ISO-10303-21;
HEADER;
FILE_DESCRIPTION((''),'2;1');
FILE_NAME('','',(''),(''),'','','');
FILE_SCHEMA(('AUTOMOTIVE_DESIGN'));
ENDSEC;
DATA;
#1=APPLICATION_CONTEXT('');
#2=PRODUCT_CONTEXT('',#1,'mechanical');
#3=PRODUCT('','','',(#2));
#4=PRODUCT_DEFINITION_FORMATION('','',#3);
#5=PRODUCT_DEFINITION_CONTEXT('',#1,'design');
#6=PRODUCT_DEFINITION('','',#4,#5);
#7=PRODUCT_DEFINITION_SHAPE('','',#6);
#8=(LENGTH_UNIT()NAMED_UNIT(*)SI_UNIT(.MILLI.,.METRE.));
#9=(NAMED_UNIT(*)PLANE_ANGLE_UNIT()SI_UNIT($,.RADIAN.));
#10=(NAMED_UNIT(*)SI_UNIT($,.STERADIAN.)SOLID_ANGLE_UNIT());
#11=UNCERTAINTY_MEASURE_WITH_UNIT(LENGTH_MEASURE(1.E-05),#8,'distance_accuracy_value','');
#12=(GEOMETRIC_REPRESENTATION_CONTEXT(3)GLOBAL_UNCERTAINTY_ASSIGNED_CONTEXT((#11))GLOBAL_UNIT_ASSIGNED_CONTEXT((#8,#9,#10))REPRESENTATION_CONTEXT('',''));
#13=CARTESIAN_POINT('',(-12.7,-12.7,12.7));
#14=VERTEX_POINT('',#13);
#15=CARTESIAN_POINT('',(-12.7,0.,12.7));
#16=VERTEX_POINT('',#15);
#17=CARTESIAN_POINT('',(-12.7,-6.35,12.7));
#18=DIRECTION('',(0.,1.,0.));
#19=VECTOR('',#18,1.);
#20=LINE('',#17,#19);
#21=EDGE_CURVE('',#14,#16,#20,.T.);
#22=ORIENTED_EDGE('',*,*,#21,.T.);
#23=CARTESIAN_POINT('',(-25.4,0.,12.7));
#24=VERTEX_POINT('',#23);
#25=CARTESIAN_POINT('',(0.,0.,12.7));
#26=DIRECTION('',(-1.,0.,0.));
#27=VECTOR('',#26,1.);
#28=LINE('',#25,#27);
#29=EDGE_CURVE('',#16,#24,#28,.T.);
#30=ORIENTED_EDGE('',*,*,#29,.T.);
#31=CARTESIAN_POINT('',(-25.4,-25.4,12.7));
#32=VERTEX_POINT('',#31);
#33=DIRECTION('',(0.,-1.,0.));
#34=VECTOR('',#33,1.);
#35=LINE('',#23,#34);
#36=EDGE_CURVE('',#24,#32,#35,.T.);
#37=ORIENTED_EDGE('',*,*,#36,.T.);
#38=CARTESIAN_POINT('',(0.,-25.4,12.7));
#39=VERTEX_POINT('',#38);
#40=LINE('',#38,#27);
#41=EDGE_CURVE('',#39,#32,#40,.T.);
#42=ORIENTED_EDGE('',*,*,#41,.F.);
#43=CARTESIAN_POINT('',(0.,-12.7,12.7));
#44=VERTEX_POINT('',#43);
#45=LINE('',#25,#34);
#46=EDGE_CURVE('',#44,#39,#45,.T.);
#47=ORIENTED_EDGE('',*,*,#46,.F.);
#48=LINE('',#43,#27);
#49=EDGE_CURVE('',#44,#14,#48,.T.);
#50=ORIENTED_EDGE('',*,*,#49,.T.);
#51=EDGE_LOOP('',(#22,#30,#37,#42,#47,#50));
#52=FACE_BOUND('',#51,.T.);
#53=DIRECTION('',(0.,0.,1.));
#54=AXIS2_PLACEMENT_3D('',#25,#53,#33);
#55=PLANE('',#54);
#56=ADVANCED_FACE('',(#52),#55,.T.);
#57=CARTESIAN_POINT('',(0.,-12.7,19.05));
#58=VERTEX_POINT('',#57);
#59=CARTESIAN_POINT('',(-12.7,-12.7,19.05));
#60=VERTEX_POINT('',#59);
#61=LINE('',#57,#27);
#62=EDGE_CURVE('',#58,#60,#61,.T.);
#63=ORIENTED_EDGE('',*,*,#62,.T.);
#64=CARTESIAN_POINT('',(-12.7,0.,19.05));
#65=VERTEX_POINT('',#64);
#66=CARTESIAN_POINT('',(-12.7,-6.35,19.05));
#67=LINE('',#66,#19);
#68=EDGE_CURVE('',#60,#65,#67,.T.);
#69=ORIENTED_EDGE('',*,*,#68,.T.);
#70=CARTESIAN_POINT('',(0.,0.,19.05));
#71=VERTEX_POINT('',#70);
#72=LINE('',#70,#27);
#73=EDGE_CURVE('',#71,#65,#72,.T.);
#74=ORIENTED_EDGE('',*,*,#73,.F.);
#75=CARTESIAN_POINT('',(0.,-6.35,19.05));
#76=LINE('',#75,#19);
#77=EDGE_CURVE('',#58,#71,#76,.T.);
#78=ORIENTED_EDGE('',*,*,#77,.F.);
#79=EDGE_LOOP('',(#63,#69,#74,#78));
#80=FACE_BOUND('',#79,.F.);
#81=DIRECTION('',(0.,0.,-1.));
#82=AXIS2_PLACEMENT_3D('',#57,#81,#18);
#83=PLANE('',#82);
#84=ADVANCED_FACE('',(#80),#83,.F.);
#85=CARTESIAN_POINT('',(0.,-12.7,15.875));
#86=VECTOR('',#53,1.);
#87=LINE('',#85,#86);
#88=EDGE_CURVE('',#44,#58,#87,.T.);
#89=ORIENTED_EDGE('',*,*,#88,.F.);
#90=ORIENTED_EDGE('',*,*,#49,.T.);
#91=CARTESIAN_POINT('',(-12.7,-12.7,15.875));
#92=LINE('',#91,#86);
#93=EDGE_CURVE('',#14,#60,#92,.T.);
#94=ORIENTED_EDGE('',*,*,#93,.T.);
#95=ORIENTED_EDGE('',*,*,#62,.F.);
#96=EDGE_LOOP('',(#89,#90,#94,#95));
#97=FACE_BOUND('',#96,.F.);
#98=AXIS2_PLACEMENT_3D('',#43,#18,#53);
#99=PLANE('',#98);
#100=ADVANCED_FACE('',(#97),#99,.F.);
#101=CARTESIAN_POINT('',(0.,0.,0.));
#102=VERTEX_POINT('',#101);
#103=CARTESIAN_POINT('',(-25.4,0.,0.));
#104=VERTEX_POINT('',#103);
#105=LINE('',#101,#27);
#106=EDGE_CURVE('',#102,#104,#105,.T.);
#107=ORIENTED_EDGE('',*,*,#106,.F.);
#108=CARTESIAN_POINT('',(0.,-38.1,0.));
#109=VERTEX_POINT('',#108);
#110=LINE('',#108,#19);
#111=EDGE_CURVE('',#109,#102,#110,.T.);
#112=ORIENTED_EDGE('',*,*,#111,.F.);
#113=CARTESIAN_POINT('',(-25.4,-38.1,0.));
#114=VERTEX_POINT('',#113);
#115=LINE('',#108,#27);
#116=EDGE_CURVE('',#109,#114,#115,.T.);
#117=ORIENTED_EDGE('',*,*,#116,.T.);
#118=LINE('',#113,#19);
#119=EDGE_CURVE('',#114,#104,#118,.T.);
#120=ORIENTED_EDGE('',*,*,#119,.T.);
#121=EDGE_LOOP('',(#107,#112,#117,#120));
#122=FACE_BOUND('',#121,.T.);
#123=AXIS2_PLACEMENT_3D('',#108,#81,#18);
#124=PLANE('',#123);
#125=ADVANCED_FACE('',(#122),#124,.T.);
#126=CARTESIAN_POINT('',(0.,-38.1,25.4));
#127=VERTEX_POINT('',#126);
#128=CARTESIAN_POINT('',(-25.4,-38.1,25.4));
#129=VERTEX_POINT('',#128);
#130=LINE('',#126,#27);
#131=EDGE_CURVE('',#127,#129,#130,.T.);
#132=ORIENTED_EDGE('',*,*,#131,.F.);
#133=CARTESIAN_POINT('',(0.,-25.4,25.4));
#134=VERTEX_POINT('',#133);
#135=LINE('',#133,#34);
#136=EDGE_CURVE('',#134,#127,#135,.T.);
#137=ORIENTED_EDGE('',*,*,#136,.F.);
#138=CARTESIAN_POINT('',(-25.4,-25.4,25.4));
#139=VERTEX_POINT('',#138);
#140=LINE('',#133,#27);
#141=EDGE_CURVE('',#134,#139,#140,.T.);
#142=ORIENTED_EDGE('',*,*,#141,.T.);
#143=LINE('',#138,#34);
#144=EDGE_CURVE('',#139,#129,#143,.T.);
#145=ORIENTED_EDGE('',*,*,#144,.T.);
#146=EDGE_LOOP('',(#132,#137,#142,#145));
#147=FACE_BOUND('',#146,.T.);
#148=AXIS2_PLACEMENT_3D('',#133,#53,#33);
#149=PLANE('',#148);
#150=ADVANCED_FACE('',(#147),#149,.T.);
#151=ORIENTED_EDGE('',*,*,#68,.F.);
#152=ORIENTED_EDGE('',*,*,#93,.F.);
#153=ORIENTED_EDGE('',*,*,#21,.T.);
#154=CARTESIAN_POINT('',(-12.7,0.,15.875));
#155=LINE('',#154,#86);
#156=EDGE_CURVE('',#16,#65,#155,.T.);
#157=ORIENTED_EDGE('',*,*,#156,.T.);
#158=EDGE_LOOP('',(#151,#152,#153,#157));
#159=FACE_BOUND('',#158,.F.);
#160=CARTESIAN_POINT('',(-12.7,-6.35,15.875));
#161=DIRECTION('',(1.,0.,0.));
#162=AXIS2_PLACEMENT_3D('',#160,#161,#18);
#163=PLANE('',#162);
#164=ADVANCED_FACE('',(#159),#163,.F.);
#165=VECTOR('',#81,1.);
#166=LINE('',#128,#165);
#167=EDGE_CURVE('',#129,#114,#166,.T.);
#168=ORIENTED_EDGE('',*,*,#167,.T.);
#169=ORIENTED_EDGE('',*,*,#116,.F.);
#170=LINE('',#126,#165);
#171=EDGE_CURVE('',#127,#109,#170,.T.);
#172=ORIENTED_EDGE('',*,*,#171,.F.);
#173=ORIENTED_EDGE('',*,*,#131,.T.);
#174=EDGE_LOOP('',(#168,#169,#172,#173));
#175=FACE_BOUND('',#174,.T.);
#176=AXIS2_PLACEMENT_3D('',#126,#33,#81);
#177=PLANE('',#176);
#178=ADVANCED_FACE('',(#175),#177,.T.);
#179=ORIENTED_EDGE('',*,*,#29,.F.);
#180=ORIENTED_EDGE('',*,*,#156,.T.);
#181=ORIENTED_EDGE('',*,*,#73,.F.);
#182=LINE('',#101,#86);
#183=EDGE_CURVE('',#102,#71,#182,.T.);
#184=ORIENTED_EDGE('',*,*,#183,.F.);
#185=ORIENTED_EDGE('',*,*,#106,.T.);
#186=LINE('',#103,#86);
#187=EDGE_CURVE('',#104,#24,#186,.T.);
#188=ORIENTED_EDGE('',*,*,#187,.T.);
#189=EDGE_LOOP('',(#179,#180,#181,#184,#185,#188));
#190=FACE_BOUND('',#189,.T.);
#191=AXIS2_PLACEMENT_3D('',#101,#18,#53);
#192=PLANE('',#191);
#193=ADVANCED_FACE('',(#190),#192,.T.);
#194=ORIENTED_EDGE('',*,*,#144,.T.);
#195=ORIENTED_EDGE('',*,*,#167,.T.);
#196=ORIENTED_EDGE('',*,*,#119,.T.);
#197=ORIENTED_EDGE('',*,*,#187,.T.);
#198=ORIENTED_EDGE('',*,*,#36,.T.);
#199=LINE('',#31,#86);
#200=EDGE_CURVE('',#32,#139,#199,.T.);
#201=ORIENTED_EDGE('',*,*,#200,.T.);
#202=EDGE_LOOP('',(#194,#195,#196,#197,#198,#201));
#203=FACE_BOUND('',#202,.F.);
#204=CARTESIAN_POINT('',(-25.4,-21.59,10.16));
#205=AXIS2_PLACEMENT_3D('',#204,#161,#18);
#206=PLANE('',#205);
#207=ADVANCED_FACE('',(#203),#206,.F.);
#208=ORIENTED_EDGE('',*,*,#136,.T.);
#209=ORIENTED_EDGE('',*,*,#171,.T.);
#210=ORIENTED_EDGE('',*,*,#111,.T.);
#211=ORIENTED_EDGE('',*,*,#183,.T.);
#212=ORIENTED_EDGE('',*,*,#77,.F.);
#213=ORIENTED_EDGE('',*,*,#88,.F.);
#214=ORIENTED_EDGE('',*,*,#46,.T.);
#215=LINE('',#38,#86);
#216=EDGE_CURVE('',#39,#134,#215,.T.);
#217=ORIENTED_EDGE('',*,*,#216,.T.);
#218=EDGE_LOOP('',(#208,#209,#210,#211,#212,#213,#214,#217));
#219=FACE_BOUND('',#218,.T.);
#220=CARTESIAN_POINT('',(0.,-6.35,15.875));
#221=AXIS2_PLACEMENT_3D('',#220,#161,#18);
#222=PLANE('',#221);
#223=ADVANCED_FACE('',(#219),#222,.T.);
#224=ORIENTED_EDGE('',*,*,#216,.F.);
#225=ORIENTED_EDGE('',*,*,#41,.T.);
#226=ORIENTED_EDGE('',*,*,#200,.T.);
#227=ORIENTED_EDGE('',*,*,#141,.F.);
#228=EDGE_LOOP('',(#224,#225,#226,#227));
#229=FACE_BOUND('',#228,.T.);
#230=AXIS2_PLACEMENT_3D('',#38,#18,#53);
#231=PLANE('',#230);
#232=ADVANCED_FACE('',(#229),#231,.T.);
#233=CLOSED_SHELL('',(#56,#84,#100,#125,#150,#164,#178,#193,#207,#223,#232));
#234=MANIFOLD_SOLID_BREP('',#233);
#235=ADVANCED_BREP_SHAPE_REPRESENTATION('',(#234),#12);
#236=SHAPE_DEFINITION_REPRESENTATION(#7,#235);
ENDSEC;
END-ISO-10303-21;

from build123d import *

# Parameters (mm, degrees)
F2_DEPTH = 25.4
F1_W     = 12.7
F1_H     = 6.35
F3_DEPTH = 12.7


with BuildPart() as f2:
    # F0 (on Right) → F2 (new body)
    with BuildSketch(Plane.YZ):
        Polygon((-25.4, 25.4), (-38.1, 25.4), (-38.1, 0), (0, 0), (0, 12.7), (-25.4, 12.7), align=None)
    extrude(amount=-F2_DEPTH)

    # F1 (on Right) → F3 (join)
    with BuildSketch(Plane.YZ):
        with Locations((-6.35, 15.875)):
            Rectangle(F1_W, F1_H)
    extrude(amount=-F3_DEPTH)


solid = f2.part
